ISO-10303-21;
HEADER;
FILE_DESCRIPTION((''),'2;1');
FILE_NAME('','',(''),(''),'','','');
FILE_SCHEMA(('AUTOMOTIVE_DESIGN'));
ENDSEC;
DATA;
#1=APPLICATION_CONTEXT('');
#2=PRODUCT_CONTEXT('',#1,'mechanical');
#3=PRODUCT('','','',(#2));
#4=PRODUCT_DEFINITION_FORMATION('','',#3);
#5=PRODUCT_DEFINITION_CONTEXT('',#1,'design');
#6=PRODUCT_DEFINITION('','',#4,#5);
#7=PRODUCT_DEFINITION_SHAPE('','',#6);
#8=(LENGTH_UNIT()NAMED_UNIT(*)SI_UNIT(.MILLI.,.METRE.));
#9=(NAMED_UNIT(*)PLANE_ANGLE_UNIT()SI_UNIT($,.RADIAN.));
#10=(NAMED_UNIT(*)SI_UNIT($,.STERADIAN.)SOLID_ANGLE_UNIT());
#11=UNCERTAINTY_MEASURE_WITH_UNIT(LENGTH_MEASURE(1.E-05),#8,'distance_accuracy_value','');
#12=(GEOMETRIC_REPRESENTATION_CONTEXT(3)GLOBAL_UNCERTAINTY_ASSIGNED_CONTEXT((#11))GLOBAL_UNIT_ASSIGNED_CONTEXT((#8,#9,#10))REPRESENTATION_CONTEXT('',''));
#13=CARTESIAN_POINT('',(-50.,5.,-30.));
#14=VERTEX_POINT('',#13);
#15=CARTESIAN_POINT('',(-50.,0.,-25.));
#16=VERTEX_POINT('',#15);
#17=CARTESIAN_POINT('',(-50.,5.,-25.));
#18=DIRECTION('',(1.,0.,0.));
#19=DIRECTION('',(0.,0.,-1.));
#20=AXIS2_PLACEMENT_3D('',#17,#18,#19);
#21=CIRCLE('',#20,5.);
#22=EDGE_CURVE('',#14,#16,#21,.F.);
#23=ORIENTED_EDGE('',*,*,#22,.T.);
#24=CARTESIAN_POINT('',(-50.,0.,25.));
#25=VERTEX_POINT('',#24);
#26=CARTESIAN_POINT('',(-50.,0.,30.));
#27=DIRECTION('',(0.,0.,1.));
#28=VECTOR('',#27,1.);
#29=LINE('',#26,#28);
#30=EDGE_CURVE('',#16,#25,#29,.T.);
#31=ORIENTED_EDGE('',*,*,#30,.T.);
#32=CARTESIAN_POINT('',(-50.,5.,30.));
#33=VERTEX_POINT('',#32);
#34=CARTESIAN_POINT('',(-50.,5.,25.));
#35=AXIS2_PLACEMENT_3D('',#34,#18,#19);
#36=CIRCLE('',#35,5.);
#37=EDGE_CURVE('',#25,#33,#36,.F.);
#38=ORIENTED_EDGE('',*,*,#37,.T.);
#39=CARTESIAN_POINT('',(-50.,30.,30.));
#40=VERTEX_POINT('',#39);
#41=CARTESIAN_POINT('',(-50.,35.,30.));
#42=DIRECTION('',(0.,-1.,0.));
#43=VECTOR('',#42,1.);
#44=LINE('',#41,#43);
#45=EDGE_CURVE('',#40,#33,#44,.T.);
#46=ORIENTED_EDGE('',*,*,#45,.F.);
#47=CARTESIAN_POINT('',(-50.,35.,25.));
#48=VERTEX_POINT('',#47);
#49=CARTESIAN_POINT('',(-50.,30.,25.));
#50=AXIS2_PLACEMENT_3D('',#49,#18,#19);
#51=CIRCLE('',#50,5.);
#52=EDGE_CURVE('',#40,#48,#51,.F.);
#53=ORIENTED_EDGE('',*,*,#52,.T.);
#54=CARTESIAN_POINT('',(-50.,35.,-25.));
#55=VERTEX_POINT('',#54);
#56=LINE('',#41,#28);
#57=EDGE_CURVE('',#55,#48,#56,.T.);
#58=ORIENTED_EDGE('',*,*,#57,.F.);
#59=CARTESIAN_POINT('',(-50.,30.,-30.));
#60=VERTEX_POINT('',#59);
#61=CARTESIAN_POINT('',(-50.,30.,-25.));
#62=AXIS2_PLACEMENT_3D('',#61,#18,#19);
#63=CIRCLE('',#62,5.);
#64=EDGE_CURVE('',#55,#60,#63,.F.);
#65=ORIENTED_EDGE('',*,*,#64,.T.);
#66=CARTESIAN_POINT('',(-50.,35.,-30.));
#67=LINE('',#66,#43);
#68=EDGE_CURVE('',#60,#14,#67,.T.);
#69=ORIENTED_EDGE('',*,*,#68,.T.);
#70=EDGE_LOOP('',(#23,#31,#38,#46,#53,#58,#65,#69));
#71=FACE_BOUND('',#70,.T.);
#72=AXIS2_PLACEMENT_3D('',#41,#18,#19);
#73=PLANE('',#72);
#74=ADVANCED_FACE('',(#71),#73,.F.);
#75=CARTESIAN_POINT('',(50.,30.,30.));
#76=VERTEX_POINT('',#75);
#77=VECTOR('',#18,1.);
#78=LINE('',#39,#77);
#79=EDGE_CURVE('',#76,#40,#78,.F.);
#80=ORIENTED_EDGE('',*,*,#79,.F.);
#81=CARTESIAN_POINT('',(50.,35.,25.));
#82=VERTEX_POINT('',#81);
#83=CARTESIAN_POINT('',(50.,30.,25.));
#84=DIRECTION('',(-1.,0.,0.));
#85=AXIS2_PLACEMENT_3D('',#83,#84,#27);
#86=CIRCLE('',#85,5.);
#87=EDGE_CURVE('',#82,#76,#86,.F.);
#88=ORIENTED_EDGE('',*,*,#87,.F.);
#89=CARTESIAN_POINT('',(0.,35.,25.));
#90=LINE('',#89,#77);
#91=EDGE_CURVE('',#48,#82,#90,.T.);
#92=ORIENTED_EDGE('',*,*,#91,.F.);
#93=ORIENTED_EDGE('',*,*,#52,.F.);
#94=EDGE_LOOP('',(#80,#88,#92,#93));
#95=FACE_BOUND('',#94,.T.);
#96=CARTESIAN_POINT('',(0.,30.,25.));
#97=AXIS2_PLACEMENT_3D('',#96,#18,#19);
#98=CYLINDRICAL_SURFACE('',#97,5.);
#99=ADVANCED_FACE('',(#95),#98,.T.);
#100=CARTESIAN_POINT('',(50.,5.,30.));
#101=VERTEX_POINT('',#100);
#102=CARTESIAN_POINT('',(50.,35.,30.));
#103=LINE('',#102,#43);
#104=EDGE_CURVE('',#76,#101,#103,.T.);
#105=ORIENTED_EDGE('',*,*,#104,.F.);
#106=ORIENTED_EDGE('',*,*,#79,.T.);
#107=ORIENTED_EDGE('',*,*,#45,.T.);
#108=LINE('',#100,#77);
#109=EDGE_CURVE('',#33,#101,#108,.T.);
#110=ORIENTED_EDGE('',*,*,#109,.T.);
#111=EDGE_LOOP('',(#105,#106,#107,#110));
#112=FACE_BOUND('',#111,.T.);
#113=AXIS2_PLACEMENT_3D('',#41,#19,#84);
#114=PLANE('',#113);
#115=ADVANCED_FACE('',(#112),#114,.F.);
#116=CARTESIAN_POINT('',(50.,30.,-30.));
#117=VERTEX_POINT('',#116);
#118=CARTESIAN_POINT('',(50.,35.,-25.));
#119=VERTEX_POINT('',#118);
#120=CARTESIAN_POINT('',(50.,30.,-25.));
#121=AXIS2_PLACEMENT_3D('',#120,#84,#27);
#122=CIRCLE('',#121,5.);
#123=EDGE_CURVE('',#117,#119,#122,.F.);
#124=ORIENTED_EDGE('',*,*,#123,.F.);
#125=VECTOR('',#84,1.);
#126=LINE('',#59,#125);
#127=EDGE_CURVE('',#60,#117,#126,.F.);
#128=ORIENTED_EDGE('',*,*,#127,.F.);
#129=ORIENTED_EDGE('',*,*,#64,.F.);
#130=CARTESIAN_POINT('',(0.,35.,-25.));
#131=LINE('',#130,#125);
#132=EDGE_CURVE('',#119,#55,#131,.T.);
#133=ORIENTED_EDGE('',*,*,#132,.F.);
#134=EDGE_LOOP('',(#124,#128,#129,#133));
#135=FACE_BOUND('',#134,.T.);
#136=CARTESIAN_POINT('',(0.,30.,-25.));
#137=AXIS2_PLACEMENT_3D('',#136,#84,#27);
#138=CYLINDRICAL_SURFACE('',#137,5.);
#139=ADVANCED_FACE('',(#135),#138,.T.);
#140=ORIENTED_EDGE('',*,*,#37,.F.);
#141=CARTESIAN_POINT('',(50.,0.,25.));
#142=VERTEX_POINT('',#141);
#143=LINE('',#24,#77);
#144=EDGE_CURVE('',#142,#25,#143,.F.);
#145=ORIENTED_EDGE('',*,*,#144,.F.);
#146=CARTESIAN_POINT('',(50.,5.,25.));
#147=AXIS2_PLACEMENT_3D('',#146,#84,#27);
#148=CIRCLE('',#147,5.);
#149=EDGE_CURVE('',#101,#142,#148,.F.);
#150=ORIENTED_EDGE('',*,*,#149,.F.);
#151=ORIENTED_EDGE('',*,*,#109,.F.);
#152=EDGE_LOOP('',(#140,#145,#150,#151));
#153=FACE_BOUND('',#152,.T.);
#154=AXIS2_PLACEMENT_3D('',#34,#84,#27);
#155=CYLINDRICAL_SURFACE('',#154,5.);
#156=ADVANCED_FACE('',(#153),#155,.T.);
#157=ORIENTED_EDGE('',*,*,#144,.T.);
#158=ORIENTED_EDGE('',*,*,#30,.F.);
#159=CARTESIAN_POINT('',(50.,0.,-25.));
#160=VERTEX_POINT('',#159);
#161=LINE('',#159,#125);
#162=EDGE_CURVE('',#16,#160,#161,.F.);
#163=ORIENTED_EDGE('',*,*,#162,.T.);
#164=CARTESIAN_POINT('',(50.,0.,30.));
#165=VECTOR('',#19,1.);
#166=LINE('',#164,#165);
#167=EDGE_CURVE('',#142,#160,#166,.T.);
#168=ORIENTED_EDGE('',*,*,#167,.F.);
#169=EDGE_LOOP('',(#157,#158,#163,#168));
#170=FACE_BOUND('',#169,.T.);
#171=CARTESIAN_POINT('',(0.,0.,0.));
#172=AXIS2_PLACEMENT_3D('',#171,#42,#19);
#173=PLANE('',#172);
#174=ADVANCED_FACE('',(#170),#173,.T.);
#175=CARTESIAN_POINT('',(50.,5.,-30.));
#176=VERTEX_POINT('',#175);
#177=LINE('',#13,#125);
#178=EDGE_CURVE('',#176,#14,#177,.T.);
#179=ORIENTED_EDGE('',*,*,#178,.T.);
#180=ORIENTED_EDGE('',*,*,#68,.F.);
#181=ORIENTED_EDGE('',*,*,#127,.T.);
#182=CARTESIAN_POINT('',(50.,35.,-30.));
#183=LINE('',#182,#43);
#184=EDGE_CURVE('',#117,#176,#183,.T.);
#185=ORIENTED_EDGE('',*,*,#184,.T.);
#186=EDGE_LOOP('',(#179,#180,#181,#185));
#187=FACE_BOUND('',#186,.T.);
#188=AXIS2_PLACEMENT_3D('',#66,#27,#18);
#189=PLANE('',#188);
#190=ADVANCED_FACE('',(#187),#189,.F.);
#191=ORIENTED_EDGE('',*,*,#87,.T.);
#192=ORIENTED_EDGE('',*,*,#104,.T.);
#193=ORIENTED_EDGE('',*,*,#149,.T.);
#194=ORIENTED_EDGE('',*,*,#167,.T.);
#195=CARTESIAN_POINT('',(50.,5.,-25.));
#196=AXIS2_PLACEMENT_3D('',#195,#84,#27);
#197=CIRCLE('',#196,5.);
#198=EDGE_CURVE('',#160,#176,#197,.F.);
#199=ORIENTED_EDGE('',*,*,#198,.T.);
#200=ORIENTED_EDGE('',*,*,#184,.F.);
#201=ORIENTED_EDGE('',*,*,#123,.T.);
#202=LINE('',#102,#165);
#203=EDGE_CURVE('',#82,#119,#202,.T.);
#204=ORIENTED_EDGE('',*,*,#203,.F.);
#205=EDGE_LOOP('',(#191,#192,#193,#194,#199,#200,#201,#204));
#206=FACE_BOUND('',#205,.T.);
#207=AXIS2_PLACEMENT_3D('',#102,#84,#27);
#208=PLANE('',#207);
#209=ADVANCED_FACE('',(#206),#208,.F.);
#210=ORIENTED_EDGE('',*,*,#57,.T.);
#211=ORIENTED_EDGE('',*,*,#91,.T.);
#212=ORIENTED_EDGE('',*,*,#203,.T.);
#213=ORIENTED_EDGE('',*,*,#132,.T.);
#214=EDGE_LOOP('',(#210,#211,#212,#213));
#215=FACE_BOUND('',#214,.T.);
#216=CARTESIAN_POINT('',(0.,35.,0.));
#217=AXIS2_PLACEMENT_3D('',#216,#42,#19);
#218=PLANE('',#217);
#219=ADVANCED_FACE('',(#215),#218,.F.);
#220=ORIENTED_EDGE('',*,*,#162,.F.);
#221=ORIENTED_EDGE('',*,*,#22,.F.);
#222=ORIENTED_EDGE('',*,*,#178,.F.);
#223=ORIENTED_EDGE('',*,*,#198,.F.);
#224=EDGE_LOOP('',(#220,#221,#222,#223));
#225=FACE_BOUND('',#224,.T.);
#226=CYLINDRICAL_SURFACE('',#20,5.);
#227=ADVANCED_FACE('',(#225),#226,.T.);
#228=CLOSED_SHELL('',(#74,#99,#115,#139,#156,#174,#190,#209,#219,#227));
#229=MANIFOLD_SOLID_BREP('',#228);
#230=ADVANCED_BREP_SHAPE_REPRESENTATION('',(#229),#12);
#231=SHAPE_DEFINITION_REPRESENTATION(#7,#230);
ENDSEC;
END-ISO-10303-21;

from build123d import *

# Parameters (mm, degrees)
SKETCH1_W           = 100
SKETCH1_H           = 60
BOSS_EXTRUDE1_DEPTH = 35
FILLET1_R           = 5
FILLET2_R           = 5
FILLET3_R           = 5
FILLET4_R           = 5


with BuildPart() as part:
    # Sketch1 → Boss-Extrude1 (new body)
    with BuildSketch(Plane(origin=(0, 0, 0), x_dir=(1, 0, 0), z_dir=(0, 1, 0))):
        Rectangle(SKETCH1_W, SKETCH1_H)
    extrude(amount=BOSS_EXTRUDE1_DEPTH)

    # Fillet1
    fillet1_edges = [part.edges().sort_by_distance(p)[0] for p in [
        (0, 35, 30),
    ]]
    fillet(fillet1_edges, radius=FILLET1_R)

    # Fillet2
    fillet2_edges = [part.edges().sort_by_distance(p)[0] for p in [
        (0, 35, -30),
    ]]
    fillet(fillet2_edges, radius=FILLET2_R)

    # Fillet3
    fillet3_edges = [part.edges().sort_by_distance(p)[0] for p in [
        (0, 0, 30),
    ]]
    fillet(fillet3_edges, radius=FILLET3_R)

    # Fillet4
    fillet4_edges = [part.edges().sort_by_distance(p)[0] for p in [
        (0, 0, -30),
    ]]
    fillet(fillet4_edges, radius=FILLET4_R)


solid = part.part
